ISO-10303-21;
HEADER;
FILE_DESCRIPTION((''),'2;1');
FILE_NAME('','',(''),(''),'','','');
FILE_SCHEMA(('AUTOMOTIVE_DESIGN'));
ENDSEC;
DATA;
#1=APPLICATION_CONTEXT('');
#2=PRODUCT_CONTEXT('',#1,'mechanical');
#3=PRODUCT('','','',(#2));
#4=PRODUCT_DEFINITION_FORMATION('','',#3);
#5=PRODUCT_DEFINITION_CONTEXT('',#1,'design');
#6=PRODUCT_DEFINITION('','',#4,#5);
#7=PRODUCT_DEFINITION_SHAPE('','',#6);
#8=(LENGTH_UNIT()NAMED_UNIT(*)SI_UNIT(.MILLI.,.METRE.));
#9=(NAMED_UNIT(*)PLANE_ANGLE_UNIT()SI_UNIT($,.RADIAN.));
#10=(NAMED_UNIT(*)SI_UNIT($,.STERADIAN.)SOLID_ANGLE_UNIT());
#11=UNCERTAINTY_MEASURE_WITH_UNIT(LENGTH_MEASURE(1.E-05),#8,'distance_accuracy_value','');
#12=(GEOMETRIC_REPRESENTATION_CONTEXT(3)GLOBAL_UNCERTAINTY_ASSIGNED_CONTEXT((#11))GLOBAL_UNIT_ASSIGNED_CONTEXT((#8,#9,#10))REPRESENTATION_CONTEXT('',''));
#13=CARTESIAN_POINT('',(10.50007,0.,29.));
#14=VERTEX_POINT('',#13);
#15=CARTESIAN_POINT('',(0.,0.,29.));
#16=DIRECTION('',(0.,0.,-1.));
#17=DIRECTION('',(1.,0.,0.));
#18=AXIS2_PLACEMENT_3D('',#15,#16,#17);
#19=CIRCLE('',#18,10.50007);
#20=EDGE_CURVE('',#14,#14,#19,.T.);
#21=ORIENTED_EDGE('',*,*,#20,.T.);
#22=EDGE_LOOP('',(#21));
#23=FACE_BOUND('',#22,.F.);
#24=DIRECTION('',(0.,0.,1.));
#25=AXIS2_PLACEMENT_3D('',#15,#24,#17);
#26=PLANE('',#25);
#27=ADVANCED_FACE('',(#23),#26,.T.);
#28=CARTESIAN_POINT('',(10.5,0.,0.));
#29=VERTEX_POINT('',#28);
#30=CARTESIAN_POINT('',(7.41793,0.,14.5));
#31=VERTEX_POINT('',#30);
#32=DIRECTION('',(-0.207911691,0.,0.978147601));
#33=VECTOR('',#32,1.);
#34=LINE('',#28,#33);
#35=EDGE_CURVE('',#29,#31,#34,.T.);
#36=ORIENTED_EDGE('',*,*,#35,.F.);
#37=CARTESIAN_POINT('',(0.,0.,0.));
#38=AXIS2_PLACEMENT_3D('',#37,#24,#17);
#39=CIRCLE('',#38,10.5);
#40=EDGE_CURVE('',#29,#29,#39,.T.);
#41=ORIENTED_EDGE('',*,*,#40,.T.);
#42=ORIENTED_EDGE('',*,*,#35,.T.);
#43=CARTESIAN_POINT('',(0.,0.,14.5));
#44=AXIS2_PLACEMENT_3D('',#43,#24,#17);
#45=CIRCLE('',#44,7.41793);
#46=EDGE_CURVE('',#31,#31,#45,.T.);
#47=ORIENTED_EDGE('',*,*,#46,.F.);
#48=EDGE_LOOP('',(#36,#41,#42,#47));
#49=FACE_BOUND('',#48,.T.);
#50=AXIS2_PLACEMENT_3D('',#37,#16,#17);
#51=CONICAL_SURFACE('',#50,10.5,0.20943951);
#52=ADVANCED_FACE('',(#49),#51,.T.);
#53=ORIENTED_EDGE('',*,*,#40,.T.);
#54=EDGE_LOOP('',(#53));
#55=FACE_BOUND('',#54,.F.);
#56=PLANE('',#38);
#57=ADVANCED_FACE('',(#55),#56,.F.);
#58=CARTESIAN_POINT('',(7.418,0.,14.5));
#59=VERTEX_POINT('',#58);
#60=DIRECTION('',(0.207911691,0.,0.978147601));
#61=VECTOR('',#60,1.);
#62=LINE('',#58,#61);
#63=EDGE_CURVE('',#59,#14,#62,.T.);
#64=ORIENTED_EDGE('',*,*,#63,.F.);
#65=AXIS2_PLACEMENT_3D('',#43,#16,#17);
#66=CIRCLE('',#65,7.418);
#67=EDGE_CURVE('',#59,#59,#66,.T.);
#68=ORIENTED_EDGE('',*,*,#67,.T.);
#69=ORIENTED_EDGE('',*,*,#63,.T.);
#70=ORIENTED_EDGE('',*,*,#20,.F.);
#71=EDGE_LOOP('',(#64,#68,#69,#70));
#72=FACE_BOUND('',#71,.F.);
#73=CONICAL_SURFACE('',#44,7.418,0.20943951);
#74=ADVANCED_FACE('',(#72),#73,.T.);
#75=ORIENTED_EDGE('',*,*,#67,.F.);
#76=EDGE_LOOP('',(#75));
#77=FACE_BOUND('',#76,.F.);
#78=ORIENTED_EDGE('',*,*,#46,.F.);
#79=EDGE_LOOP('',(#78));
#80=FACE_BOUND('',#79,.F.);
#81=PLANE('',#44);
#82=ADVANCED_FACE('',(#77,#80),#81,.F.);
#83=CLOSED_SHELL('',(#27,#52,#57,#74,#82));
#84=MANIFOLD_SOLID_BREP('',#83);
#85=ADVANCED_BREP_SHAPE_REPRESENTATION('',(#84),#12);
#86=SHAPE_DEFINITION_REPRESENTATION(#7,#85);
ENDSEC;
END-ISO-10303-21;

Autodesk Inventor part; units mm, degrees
ref_plane "YZ Plane" through (0, 0, 0) normal (1, 0, 0) x (0, 1, 0)
ref_plane "XZ Plane" through (0, 0, 0) normal (0, 1, 0) x (-1, 0, 0)
ref_plane "XY Plane" through (0, 0, 0) normal (0, 0, 1) x (1, 0, 0)
sketch "Sketch1" plane through (0, 0, 0) normal (0, 0, 1) x (1, 0, 0)
  circle A0 centre (0, 0) radius 10.5
  dimension "d0" = 21
extrude "Extrusion1" add sketch "Sketch1" along normal blind 14.5 draft -12
sketch "Sketch2" plane through (0, 0, 14.5) normal (0, 0, 1) x (1, 0, 0)
  circle A0 centre (0, 0) radius 7.418
  dimension "d6" = 14.836
extrude "Extrusion2" add sketch "Sketch2" along normal blind 14.5 draft 12
properties part number "pawn1"
